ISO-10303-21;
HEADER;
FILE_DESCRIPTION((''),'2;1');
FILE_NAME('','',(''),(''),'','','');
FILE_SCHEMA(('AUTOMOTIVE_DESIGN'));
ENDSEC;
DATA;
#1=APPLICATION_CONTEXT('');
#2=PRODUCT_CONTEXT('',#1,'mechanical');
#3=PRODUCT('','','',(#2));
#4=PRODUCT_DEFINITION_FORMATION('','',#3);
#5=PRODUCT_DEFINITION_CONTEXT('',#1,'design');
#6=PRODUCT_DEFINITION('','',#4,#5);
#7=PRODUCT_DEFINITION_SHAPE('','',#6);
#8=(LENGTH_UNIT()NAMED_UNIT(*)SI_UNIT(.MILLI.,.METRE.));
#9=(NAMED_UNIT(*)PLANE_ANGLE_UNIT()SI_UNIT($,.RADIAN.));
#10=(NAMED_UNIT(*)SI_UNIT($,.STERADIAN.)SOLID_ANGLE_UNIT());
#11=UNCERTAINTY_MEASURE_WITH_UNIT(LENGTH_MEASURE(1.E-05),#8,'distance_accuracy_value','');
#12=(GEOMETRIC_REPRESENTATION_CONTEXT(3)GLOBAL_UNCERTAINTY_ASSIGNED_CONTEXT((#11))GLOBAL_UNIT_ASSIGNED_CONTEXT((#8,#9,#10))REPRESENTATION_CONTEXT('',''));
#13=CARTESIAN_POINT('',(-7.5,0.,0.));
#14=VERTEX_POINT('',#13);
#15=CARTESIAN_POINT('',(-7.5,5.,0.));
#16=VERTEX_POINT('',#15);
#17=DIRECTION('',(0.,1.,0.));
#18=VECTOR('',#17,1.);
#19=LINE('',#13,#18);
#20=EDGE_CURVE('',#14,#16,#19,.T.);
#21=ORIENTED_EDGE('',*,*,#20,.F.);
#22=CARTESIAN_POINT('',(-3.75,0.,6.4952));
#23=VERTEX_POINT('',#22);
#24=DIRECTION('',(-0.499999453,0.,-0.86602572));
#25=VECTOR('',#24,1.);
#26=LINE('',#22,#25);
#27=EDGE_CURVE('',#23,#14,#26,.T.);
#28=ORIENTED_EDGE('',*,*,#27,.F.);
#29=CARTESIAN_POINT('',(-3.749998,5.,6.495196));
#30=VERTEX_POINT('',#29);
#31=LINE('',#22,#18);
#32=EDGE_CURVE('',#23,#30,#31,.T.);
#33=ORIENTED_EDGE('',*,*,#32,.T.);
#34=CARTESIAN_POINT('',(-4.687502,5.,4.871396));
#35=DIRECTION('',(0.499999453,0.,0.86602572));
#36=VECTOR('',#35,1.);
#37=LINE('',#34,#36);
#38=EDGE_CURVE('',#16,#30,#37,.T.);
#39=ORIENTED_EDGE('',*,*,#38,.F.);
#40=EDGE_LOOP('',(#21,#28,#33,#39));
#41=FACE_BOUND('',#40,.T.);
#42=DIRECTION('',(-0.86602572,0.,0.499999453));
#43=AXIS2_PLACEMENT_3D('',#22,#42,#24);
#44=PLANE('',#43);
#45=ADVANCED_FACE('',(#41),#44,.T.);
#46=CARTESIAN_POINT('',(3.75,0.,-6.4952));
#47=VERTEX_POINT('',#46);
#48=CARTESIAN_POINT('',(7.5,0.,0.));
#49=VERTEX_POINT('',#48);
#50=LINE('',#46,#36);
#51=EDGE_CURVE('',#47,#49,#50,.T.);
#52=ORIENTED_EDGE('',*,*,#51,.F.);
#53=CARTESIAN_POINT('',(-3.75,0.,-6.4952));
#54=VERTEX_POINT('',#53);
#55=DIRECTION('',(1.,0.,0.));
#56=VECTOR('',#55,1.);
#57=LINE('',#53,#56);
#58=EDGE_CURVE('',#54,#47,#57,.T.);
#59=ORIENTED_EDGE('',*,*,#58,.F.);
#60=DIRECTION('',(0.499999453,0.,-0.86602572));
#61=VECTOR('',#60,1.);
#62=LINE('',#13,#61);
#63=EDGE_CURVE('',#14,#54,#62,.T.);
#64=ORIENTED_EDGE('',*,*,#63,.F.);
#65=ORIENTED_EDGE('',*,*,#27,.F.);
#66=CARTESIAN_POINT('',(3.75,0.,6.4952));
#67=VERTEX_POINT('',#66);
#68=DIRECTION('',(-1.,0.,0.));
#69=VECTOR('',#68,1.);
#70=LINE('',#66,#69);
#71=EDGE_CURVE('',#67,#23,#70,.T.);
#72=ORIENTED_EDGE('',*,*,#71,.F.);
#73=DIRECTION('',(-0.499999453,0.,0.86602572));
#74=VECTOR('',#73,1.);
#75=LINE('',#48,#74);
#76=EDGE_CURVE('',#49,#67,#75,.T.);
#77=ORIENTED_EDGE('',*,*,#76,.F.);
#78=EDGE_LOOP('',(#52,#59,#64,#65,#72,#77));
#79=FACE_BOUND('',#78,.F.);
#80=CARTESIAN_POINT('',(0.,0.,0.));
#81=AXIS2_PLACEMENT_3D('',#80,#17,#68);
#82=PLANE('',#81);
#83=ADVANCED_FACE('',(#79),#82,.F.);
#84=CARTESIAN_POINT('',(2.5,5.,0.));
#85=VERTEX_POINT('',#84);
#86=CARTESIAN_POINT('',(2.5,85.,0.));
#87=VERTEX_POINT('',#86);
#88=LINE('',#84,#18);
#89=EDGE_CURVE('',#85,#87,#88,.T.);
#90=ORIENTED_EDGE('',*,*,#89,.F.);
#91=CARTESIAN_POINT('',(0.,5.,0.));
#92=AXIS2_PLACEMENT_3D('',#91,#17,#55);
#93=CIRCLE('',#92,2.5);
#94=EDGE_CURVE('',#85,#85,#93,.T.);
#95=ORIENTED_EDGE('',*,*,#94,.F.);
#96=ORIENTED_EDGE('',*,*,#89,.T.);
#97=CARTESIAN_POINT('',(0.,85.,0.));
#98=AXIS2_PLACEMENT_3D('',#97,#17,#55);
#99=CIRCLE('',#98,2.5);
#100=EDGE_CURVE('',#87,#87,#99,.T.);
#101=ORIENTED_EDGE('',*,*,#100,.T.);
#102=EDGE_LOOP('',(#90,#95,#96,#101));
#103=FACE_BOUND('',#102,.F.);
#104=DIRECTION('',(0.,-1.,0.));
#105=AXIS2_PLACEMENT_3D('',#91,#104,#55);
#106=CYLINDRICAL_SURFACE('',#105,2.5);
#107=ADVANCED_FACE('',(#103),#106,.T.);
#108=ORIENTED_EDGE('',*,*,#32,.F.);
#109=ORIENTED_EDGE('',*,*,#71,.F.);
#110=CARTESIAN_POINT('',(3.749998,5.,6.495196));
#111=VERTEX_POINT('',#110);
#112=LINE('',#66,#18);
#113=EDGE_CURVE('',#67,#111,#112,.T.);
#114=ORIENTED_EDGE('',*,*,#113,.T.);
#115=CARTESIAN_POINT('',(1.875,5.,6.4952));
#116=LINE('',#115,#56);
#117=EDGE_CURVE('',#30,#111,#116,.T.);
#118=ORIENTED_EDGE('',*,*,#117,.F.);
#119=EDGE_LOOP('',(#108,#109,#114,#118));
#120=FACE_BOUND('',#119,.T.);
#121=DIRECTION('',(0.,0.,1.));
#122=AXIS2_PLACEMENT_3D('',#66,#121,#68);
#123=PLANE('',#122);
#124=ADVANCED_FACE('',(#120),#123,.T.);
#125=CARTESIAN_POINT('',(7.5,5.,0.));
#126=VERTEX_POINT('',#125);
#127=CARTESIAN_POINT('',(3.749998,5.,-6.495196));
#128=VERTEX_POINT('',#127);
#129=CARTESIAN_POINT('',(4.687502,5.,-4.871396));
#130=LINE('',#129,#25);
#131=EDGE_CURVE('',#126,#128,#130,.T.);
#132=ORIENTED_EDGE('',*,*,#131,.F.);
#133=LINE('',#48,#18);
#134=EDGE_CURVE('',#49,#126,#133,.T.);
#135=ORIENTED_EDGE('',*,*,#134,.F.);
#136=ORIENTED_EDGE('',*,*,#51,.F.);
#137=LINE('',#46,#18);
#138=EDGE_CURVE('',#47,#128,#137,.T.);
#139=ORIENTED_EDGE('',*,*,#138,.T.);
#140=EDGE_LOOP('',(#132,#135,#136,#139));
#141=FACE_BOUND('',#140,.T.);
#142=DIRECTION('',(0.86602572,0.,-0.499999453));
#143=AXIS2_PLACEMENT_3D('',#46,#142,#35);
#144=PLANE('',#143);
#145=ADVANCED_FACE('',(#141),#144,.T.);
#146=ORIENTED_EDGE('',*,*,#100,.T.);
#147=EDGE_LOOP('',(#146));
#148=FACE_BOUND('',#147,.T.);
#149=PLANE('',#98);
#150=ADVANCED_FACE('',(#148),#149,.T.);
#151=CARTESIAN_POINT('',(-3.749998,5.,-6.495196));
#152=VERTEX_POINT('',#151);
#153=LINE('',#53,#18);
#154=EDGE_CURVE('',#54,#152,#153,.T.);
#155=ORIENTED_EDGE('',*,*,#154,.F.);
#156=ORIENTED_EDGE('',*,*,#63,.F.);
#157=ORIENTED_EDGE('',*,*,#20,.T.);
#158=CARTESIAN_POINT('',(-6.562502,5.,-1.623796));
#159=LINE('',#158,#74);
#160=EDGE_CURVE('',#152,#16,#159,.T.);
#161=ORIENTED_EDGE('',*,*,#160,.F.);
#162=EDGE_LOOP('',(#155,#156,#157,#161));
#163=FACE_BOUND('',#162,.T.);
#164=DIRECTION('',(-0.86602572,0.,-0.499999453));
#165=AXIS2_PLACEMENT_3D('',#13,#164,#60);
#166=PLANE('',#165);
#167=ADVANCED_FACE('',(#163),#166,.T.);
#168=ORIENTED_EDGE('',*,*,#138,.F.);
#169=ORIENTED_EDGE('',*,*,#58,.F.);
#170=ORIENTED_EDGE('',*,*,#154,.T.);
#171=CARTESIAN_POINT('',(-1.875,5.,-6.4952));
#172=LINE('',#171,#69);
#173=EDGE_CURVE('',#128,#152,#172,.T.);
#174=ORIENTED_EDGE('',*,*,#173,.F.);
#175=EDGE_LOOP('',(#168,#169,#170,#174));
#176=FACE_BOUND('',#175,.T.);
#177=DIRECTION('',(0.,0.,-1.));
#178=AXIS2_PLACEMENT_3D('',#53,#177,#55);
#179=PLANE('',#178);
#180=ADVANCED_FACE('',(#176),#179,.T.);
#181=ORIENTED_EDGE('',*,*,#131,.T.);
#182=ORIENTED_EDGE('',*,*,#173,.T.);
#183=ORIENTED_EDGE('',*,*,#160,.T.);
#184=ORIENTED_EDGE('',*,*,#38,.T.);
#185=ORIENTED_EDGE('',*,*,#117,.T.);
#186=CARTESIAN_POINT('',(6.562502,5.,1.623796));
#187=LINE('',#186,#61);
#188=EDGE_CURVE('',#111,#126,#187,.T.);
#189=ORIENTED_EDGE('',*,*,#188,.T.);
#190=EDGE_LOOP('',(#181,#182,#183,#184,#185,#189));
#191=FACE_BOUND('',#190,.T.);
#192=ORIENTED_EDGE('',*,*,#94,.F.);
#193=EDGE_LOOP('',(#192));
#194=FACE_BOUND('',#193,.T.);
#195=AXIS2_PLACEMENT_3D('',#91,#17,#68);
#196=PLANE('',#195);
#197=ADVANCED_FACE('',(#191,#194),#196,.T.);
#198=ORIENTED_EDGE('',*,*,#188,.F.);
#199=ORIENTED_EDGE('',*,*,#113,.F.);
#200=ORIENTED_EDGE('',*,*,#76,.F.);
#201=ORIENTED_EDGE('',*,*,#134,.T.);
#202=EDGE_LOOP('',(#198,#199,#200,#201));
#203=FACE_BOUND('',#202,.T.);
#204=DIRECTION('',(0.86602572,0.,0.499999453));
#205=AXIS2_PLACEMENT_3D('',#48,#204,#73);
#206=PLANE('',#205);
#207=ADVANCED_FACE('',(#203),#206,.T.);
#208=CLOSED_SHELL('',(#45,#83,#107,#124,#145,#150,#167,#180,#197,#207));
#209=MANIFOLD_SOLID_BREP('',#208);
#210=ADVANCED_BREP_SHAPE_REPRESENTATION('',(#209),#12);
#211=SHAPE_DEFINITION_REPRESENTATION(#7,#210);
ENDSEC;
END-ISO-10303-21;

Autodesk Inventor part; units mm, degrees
ref_plane "YZ Plane" through (0, 0, 0) normal (1, 0, 0) x (0, 1, 0)
ref_plane "XZ Plane" through (0, 0, 0) normal (0, 1, 0) x (-1, 0, 0)
ref_plane "XY Plane" through (0, 0, 0) normal (0, 0, 1) x (1, 0, 0)
sketch "Sketch1" plane through (0, 0, 0) normal (0, 1, 0) x (-1, 0, 0)
  circle A0 centre (0, 0) radius 7.5
  dimension "d0" = 15
extrude "Extrusion1" add sketch "Sketch1" along normal blind 5
sketch "Sketch2" plane through (0, 5, 0) normal (0, 1, 0) x (1, 0, 0)
  circle A0 centre (0, 0) radius 2.5
  dimension "d3" = 5
extrude "Extrusion2" add sketch "Sketch2" along normal blind 80
thread "Thread1" size "M5x0.8" class "6g" standard "ANSI Metric M Profile" length 80
sketch "Sketch3" plane through (0, 0, 0) normal (0, -1, 0) x (1, 0, 0)
  circle A0 centre (0, 0) radius 7.5 projected
  line L0 (-7.5, 0) -> (0, 0)
  line L1 (0, 0) -> (-3.75, -6.4952)
  line L2 (0, 0) -> (3.75, -6.4952)
  line L3 (0, 0) -> (7.5, 0) construction
  line L4 (0, 0) -> (3.75, 6.4952)
  line L5 (0, 0) -> (7.5, 0) construction
  line L6 (0, 0) -> (-3.75, 6.4952)
  line L7 (0, 0) -> (7.5, 0) construction
  line L8 (-7.5, 0) -> (-3.75, -6.4952)
  line L9 (-3.75, -6.4952) -> (3.75, -6.4952)
  line L10 (3.75, -6.4952) -> (7.5, 0)
  line L11 (7.5, 0) -> (3.75, 6.4952)
  line L12 (3.75, 6.4952) -> (-3.75, 6.4952)
  line L13 (-3.75, 6.4952) -> (-7.5, 0)
  point P0 (7.5, 0)
  point P1 (7.5, 0)
  dimension "d8" = 60
  dimension "d9" = 60
  dimension "d10" = 60
  dimension "d11" = 120
extrude "Extrusion3" cut sketch "Sketch3" against normal through all contours L11 A0 | A0 L10 | L12 A0 | A0 L9 | L13 A0 | A0 L8
properties part number "Bolt" material "Steel, Mild"
